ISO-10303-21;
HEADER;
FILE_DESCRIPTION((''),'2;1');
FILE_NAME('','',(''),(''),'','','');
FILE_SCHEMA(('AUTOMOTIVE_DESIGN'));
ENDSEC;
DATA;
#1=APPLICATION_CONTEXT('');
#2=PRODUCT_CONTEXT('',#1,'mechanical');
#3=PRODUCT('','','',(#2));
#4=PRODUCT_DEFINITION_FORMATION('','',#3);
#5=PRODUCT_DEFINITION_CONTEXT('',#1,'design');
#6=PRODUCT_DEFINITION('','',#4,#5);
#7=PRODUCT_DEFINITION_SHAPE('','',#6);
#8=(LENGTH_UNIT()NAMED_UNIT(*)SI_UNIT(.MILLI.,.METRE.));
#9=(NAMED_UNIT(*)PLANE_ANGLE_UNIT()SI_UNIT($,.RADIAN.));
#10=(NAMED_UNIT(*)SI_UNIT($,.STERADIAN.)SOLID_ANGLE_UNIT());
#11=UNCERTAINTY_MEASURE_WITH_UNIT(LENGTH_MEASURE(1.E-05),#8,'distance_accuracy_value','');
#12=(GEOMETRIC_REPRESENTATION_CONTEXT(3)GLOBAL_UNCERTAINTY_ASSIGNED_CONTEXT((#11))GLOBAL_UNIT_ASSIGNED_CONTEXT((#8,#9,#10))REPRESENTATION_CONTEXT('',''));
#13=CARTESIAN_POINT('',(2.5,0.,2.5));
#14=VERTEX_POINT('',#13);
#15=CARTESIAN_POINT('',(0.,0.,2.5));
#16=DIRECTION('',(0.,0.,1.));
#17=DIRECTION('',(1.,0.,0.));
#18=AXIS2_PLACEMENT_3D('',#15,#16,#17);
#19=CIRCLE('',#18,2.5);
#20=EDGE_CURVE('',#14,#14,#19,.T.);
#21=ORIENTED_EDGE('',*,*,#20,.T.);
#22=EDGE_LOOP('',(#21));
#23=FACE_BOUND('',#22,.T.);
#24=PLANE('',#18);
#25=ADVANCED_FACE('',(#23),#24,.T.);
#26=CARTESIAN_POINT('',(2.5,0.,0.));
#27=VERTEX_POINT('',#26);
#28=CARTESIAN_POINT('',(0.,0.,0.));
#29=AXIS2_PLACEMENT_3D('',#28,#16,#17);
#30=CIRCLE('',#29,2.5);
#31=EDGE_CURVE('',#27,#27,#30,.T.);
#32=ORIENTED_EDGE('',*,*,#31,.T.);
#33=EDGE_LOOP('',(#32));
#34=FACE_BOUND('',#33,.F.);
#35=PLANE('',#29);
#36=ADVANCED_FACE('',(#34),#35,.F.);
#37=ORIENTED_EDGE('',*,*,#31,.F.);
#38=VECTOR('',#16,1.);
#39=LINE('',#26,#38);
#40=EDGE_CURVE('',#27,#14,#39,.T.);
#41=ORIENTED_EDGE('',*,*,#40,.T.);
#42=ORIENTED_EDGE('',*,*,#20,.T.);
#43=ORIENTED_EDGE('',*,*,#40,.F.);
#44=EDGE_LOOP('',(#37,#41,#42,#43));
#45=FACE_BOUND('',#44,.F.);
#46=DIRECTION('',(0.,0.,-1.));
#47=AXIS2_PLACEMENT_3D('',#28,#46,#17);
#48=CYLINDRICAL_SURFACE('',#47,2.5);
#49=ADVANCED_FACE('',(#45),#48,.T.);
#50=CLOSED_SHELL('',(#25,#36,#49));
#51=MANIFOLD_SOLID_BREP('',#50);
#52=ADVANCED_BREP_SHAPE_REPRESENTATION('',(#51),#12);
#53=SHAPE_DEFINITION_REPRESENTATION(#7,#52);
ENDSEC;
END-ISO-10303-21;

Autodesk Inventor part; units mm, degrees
ref_plane "YZ Plane" through (0, 0, 0) normal (1, 0, 0) x (0, 1, 0)
ref_plane "XZ Plane" through (0, 0, 0) normal (0, 1, 0) x (-1, 0, 0)
ref_plane "XY Plane" through (0, 0, 0) normal (0, 0, 1) x (1, 0, 0)
sketch "Sketch1" plane through (0, 0, 0) normal (0, 0, 1) x (1, 0, 0)
  circle A0 centre (0, 0) radius 2.5
  dimension "d0" = 5
extrude "Extrusion1" add sketch "Sketch1" along normal blind 2.5
properties part number "iman" material "Stainless Steel"
